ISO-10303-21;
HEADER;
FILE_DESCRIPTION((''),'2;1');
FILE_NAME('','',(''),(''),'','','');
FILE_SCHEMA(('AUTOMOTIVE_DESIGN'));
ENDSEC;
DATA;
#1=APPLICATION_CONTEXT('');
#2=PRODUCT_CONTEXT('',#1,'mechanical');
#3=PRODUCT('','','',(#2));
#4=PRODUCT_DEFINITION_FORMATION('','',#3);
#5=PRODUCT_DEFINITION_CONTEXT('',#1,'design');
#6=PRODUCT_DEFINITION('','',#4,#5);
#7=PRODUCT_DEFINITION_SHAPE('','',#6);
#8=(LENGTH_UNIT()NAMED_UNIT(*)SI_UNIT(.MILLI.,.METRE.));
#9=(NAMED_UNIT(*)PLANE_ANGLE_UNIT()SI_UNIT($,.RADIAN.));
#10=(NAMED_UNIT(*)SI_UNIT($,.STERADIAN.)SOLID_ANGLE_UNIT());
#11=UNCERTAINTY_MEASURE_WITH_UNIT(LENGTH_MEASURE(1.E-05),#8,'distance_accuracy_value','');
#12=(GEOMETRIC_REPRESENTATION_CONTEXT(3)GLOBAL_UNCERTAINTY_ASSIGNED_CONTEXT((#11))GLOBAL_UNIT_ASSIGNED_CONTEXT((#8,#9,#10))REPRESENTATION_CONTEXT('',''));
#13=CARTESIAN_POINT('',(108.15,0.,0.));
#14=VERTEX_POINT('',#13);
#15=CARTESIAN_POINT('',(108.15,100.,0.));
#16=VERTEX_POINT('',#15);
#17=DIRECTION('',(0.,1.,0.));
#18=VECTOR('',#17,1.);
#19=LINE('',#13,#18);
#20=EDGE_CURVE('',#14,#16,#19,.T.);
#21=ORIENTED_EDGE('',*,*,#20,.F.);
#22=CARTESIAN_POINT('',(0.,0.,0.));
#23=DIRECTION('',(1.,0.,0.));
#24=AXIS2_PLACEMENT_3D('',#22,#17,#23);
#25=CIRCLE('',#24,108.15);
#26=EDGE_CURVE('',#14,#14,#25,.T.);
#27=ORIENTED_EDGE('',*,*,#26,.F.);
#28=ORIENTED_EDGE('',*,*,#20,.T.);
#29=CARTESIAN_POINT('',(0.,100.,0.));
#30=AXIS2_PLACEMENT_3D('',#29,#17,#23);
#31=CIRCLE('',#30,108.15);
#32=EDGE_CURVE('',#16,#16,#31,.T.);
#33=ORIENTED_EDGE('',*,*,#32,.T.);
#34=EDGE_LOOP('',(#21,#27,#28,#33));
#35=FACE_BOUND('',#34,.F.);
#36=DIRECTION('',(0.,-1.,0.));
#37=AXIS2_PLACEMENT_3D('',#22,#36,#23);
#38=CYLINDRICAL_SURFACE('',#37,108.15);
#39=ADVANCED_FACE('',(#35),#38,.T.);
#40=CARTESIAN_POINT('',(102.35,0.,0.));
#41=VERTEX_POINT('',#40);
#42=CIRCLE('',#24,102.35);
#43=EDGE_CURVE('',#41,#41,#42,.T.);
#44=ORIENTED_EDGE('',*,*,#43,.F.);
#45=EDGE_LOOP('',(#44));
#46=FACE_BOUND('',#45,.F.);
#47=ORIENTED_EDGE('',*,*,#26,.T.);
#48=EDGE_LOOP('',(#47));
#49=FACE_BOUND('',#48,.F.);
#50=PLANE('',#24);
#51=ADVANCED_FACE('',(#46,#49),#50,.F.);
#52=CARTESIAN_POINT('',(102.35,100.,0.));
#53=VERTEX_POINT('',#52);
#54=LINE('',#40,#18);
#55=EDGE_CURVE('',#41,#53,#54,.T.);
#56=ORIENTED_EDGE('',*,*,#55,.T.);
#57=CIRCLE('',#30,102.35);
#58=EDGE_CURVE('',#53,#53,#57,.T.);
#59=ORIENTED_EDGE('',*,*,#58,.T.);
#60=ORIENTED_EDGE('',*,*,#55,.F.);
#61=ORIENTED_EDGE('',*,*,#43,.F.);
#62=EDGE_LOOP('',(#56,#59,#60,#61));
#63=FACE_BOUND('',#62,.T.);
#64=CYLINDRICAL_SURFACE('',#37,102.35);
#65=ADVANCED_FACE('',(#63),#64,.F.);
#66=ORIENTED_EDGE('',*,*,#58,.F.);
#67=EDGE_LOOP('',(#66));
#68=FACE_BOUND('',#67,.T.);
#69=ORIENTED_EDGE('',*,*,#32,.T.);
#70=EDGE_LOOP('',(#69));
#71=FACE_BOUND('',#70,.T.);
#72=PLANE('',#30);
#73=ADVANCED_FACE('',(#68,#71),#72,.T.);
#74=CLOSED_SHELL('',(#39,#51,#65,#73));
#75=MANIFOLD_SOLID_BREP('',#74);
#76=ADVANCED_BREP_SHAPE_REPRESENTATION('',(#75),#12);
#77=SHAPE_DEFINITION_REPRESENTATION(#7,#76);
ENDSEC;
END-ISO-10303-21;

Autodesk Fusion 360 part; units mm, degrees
sketch "スケッチ1" plane through (0, 0, 0) normal (0, 1, 0) x (1, 0, 0)
  circle A0 centre (0, 0) radius 108.15
  circle A1 centre (0, 0) radius 102.35
  dimension "d1" = 216.3
  dimension "d2" = -5.8
extrude "押し出し1" add sketch "スケッチ1" along normal blind 100
